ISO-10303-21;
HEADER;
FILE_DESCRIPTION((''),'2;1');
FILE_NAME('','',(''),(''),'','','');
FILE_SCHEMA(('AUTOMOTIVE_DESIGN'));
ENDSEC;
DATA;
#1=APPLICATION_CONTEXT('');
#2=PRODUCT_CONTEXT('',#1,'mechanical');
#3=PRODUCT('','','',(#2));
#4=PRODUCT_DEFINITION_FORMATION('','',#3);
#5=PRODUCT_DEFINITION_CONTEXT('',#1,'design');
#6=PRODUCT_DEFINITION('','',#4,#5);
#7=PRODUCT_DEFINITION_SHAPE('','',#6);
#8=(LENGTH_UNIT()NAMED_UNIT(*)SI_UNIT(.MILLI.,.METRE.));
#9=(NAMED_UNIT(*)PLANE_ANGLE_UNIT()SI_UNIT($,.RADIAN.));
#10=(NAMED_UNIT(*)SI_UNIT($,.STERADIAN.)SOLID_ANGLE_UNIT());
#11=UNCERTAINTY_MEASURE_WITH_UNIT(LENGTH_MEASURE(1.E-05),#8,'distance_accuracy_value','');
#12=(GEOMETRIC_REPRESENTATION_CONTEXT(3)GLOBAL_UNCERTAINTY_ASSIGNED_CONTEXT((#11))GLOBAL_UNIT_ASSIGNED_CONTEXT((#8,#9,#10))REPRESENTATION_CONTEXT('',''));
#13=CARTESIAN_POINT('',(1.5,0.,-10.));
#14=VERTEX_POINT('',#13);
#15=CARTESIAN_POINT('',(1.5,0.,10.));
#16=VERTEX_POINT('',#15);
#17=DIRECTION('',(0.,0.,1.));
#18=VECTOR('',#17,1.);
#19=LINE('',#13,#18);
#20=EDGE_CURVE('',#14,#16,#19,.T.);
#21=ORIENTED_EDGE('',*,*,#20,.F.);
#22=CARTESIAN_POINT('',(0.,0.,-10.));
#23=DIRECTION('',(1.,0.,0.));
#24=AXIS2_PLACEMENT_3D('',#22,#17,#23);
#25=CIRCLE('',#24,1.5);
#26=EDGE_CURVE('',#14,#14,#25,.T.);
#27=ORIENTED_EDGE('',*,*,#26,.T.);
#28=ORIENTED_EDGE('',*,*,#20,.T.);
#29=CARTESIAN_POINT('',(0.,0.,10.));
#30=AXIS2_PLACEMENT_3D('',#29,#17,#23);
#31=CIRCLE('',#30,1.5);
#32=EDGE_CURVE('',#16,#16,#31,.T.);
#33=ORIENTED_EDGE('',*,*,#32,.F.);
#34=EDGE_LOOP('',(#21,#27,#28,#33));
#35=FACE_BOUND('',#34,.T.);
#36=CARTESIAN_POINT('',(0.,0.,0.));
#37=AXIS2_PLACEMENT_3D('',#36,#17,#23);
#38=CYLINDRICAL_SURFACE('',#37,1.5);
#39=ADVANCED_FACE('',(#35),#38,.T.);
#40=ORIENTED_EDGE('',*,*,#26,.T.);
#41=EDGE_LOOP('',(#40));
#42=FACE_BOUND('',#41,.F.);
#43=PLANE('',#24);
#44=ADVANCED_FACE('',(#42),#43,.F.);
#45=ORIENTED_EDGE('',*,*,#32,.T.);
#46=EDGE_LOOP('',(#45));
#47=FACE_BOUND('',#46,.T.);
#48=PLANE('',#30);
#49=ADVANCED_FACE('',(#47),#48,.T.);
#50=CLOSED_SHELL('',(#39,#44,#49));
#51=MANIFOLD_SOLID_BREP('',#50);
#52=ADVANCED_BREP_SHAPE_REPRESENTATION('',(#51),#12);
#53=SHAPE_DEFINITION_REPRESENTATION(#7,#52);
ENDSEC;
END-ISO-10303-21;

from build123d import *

# Parameters (mm, degrees)
SKETCH_1_R      = 1.5
EXTRUDE_1_DEPTH = 10


with BuildPart() as part:
    # 草圖1 → 填料-伸長1 (new body, symmetric)
    with BuildSketch(Plane.XY):
        Circle(SKETCH_1_R)
    extrude(amount=EXTRUDE_1_DEPTH, both=True)


solid = part.part
